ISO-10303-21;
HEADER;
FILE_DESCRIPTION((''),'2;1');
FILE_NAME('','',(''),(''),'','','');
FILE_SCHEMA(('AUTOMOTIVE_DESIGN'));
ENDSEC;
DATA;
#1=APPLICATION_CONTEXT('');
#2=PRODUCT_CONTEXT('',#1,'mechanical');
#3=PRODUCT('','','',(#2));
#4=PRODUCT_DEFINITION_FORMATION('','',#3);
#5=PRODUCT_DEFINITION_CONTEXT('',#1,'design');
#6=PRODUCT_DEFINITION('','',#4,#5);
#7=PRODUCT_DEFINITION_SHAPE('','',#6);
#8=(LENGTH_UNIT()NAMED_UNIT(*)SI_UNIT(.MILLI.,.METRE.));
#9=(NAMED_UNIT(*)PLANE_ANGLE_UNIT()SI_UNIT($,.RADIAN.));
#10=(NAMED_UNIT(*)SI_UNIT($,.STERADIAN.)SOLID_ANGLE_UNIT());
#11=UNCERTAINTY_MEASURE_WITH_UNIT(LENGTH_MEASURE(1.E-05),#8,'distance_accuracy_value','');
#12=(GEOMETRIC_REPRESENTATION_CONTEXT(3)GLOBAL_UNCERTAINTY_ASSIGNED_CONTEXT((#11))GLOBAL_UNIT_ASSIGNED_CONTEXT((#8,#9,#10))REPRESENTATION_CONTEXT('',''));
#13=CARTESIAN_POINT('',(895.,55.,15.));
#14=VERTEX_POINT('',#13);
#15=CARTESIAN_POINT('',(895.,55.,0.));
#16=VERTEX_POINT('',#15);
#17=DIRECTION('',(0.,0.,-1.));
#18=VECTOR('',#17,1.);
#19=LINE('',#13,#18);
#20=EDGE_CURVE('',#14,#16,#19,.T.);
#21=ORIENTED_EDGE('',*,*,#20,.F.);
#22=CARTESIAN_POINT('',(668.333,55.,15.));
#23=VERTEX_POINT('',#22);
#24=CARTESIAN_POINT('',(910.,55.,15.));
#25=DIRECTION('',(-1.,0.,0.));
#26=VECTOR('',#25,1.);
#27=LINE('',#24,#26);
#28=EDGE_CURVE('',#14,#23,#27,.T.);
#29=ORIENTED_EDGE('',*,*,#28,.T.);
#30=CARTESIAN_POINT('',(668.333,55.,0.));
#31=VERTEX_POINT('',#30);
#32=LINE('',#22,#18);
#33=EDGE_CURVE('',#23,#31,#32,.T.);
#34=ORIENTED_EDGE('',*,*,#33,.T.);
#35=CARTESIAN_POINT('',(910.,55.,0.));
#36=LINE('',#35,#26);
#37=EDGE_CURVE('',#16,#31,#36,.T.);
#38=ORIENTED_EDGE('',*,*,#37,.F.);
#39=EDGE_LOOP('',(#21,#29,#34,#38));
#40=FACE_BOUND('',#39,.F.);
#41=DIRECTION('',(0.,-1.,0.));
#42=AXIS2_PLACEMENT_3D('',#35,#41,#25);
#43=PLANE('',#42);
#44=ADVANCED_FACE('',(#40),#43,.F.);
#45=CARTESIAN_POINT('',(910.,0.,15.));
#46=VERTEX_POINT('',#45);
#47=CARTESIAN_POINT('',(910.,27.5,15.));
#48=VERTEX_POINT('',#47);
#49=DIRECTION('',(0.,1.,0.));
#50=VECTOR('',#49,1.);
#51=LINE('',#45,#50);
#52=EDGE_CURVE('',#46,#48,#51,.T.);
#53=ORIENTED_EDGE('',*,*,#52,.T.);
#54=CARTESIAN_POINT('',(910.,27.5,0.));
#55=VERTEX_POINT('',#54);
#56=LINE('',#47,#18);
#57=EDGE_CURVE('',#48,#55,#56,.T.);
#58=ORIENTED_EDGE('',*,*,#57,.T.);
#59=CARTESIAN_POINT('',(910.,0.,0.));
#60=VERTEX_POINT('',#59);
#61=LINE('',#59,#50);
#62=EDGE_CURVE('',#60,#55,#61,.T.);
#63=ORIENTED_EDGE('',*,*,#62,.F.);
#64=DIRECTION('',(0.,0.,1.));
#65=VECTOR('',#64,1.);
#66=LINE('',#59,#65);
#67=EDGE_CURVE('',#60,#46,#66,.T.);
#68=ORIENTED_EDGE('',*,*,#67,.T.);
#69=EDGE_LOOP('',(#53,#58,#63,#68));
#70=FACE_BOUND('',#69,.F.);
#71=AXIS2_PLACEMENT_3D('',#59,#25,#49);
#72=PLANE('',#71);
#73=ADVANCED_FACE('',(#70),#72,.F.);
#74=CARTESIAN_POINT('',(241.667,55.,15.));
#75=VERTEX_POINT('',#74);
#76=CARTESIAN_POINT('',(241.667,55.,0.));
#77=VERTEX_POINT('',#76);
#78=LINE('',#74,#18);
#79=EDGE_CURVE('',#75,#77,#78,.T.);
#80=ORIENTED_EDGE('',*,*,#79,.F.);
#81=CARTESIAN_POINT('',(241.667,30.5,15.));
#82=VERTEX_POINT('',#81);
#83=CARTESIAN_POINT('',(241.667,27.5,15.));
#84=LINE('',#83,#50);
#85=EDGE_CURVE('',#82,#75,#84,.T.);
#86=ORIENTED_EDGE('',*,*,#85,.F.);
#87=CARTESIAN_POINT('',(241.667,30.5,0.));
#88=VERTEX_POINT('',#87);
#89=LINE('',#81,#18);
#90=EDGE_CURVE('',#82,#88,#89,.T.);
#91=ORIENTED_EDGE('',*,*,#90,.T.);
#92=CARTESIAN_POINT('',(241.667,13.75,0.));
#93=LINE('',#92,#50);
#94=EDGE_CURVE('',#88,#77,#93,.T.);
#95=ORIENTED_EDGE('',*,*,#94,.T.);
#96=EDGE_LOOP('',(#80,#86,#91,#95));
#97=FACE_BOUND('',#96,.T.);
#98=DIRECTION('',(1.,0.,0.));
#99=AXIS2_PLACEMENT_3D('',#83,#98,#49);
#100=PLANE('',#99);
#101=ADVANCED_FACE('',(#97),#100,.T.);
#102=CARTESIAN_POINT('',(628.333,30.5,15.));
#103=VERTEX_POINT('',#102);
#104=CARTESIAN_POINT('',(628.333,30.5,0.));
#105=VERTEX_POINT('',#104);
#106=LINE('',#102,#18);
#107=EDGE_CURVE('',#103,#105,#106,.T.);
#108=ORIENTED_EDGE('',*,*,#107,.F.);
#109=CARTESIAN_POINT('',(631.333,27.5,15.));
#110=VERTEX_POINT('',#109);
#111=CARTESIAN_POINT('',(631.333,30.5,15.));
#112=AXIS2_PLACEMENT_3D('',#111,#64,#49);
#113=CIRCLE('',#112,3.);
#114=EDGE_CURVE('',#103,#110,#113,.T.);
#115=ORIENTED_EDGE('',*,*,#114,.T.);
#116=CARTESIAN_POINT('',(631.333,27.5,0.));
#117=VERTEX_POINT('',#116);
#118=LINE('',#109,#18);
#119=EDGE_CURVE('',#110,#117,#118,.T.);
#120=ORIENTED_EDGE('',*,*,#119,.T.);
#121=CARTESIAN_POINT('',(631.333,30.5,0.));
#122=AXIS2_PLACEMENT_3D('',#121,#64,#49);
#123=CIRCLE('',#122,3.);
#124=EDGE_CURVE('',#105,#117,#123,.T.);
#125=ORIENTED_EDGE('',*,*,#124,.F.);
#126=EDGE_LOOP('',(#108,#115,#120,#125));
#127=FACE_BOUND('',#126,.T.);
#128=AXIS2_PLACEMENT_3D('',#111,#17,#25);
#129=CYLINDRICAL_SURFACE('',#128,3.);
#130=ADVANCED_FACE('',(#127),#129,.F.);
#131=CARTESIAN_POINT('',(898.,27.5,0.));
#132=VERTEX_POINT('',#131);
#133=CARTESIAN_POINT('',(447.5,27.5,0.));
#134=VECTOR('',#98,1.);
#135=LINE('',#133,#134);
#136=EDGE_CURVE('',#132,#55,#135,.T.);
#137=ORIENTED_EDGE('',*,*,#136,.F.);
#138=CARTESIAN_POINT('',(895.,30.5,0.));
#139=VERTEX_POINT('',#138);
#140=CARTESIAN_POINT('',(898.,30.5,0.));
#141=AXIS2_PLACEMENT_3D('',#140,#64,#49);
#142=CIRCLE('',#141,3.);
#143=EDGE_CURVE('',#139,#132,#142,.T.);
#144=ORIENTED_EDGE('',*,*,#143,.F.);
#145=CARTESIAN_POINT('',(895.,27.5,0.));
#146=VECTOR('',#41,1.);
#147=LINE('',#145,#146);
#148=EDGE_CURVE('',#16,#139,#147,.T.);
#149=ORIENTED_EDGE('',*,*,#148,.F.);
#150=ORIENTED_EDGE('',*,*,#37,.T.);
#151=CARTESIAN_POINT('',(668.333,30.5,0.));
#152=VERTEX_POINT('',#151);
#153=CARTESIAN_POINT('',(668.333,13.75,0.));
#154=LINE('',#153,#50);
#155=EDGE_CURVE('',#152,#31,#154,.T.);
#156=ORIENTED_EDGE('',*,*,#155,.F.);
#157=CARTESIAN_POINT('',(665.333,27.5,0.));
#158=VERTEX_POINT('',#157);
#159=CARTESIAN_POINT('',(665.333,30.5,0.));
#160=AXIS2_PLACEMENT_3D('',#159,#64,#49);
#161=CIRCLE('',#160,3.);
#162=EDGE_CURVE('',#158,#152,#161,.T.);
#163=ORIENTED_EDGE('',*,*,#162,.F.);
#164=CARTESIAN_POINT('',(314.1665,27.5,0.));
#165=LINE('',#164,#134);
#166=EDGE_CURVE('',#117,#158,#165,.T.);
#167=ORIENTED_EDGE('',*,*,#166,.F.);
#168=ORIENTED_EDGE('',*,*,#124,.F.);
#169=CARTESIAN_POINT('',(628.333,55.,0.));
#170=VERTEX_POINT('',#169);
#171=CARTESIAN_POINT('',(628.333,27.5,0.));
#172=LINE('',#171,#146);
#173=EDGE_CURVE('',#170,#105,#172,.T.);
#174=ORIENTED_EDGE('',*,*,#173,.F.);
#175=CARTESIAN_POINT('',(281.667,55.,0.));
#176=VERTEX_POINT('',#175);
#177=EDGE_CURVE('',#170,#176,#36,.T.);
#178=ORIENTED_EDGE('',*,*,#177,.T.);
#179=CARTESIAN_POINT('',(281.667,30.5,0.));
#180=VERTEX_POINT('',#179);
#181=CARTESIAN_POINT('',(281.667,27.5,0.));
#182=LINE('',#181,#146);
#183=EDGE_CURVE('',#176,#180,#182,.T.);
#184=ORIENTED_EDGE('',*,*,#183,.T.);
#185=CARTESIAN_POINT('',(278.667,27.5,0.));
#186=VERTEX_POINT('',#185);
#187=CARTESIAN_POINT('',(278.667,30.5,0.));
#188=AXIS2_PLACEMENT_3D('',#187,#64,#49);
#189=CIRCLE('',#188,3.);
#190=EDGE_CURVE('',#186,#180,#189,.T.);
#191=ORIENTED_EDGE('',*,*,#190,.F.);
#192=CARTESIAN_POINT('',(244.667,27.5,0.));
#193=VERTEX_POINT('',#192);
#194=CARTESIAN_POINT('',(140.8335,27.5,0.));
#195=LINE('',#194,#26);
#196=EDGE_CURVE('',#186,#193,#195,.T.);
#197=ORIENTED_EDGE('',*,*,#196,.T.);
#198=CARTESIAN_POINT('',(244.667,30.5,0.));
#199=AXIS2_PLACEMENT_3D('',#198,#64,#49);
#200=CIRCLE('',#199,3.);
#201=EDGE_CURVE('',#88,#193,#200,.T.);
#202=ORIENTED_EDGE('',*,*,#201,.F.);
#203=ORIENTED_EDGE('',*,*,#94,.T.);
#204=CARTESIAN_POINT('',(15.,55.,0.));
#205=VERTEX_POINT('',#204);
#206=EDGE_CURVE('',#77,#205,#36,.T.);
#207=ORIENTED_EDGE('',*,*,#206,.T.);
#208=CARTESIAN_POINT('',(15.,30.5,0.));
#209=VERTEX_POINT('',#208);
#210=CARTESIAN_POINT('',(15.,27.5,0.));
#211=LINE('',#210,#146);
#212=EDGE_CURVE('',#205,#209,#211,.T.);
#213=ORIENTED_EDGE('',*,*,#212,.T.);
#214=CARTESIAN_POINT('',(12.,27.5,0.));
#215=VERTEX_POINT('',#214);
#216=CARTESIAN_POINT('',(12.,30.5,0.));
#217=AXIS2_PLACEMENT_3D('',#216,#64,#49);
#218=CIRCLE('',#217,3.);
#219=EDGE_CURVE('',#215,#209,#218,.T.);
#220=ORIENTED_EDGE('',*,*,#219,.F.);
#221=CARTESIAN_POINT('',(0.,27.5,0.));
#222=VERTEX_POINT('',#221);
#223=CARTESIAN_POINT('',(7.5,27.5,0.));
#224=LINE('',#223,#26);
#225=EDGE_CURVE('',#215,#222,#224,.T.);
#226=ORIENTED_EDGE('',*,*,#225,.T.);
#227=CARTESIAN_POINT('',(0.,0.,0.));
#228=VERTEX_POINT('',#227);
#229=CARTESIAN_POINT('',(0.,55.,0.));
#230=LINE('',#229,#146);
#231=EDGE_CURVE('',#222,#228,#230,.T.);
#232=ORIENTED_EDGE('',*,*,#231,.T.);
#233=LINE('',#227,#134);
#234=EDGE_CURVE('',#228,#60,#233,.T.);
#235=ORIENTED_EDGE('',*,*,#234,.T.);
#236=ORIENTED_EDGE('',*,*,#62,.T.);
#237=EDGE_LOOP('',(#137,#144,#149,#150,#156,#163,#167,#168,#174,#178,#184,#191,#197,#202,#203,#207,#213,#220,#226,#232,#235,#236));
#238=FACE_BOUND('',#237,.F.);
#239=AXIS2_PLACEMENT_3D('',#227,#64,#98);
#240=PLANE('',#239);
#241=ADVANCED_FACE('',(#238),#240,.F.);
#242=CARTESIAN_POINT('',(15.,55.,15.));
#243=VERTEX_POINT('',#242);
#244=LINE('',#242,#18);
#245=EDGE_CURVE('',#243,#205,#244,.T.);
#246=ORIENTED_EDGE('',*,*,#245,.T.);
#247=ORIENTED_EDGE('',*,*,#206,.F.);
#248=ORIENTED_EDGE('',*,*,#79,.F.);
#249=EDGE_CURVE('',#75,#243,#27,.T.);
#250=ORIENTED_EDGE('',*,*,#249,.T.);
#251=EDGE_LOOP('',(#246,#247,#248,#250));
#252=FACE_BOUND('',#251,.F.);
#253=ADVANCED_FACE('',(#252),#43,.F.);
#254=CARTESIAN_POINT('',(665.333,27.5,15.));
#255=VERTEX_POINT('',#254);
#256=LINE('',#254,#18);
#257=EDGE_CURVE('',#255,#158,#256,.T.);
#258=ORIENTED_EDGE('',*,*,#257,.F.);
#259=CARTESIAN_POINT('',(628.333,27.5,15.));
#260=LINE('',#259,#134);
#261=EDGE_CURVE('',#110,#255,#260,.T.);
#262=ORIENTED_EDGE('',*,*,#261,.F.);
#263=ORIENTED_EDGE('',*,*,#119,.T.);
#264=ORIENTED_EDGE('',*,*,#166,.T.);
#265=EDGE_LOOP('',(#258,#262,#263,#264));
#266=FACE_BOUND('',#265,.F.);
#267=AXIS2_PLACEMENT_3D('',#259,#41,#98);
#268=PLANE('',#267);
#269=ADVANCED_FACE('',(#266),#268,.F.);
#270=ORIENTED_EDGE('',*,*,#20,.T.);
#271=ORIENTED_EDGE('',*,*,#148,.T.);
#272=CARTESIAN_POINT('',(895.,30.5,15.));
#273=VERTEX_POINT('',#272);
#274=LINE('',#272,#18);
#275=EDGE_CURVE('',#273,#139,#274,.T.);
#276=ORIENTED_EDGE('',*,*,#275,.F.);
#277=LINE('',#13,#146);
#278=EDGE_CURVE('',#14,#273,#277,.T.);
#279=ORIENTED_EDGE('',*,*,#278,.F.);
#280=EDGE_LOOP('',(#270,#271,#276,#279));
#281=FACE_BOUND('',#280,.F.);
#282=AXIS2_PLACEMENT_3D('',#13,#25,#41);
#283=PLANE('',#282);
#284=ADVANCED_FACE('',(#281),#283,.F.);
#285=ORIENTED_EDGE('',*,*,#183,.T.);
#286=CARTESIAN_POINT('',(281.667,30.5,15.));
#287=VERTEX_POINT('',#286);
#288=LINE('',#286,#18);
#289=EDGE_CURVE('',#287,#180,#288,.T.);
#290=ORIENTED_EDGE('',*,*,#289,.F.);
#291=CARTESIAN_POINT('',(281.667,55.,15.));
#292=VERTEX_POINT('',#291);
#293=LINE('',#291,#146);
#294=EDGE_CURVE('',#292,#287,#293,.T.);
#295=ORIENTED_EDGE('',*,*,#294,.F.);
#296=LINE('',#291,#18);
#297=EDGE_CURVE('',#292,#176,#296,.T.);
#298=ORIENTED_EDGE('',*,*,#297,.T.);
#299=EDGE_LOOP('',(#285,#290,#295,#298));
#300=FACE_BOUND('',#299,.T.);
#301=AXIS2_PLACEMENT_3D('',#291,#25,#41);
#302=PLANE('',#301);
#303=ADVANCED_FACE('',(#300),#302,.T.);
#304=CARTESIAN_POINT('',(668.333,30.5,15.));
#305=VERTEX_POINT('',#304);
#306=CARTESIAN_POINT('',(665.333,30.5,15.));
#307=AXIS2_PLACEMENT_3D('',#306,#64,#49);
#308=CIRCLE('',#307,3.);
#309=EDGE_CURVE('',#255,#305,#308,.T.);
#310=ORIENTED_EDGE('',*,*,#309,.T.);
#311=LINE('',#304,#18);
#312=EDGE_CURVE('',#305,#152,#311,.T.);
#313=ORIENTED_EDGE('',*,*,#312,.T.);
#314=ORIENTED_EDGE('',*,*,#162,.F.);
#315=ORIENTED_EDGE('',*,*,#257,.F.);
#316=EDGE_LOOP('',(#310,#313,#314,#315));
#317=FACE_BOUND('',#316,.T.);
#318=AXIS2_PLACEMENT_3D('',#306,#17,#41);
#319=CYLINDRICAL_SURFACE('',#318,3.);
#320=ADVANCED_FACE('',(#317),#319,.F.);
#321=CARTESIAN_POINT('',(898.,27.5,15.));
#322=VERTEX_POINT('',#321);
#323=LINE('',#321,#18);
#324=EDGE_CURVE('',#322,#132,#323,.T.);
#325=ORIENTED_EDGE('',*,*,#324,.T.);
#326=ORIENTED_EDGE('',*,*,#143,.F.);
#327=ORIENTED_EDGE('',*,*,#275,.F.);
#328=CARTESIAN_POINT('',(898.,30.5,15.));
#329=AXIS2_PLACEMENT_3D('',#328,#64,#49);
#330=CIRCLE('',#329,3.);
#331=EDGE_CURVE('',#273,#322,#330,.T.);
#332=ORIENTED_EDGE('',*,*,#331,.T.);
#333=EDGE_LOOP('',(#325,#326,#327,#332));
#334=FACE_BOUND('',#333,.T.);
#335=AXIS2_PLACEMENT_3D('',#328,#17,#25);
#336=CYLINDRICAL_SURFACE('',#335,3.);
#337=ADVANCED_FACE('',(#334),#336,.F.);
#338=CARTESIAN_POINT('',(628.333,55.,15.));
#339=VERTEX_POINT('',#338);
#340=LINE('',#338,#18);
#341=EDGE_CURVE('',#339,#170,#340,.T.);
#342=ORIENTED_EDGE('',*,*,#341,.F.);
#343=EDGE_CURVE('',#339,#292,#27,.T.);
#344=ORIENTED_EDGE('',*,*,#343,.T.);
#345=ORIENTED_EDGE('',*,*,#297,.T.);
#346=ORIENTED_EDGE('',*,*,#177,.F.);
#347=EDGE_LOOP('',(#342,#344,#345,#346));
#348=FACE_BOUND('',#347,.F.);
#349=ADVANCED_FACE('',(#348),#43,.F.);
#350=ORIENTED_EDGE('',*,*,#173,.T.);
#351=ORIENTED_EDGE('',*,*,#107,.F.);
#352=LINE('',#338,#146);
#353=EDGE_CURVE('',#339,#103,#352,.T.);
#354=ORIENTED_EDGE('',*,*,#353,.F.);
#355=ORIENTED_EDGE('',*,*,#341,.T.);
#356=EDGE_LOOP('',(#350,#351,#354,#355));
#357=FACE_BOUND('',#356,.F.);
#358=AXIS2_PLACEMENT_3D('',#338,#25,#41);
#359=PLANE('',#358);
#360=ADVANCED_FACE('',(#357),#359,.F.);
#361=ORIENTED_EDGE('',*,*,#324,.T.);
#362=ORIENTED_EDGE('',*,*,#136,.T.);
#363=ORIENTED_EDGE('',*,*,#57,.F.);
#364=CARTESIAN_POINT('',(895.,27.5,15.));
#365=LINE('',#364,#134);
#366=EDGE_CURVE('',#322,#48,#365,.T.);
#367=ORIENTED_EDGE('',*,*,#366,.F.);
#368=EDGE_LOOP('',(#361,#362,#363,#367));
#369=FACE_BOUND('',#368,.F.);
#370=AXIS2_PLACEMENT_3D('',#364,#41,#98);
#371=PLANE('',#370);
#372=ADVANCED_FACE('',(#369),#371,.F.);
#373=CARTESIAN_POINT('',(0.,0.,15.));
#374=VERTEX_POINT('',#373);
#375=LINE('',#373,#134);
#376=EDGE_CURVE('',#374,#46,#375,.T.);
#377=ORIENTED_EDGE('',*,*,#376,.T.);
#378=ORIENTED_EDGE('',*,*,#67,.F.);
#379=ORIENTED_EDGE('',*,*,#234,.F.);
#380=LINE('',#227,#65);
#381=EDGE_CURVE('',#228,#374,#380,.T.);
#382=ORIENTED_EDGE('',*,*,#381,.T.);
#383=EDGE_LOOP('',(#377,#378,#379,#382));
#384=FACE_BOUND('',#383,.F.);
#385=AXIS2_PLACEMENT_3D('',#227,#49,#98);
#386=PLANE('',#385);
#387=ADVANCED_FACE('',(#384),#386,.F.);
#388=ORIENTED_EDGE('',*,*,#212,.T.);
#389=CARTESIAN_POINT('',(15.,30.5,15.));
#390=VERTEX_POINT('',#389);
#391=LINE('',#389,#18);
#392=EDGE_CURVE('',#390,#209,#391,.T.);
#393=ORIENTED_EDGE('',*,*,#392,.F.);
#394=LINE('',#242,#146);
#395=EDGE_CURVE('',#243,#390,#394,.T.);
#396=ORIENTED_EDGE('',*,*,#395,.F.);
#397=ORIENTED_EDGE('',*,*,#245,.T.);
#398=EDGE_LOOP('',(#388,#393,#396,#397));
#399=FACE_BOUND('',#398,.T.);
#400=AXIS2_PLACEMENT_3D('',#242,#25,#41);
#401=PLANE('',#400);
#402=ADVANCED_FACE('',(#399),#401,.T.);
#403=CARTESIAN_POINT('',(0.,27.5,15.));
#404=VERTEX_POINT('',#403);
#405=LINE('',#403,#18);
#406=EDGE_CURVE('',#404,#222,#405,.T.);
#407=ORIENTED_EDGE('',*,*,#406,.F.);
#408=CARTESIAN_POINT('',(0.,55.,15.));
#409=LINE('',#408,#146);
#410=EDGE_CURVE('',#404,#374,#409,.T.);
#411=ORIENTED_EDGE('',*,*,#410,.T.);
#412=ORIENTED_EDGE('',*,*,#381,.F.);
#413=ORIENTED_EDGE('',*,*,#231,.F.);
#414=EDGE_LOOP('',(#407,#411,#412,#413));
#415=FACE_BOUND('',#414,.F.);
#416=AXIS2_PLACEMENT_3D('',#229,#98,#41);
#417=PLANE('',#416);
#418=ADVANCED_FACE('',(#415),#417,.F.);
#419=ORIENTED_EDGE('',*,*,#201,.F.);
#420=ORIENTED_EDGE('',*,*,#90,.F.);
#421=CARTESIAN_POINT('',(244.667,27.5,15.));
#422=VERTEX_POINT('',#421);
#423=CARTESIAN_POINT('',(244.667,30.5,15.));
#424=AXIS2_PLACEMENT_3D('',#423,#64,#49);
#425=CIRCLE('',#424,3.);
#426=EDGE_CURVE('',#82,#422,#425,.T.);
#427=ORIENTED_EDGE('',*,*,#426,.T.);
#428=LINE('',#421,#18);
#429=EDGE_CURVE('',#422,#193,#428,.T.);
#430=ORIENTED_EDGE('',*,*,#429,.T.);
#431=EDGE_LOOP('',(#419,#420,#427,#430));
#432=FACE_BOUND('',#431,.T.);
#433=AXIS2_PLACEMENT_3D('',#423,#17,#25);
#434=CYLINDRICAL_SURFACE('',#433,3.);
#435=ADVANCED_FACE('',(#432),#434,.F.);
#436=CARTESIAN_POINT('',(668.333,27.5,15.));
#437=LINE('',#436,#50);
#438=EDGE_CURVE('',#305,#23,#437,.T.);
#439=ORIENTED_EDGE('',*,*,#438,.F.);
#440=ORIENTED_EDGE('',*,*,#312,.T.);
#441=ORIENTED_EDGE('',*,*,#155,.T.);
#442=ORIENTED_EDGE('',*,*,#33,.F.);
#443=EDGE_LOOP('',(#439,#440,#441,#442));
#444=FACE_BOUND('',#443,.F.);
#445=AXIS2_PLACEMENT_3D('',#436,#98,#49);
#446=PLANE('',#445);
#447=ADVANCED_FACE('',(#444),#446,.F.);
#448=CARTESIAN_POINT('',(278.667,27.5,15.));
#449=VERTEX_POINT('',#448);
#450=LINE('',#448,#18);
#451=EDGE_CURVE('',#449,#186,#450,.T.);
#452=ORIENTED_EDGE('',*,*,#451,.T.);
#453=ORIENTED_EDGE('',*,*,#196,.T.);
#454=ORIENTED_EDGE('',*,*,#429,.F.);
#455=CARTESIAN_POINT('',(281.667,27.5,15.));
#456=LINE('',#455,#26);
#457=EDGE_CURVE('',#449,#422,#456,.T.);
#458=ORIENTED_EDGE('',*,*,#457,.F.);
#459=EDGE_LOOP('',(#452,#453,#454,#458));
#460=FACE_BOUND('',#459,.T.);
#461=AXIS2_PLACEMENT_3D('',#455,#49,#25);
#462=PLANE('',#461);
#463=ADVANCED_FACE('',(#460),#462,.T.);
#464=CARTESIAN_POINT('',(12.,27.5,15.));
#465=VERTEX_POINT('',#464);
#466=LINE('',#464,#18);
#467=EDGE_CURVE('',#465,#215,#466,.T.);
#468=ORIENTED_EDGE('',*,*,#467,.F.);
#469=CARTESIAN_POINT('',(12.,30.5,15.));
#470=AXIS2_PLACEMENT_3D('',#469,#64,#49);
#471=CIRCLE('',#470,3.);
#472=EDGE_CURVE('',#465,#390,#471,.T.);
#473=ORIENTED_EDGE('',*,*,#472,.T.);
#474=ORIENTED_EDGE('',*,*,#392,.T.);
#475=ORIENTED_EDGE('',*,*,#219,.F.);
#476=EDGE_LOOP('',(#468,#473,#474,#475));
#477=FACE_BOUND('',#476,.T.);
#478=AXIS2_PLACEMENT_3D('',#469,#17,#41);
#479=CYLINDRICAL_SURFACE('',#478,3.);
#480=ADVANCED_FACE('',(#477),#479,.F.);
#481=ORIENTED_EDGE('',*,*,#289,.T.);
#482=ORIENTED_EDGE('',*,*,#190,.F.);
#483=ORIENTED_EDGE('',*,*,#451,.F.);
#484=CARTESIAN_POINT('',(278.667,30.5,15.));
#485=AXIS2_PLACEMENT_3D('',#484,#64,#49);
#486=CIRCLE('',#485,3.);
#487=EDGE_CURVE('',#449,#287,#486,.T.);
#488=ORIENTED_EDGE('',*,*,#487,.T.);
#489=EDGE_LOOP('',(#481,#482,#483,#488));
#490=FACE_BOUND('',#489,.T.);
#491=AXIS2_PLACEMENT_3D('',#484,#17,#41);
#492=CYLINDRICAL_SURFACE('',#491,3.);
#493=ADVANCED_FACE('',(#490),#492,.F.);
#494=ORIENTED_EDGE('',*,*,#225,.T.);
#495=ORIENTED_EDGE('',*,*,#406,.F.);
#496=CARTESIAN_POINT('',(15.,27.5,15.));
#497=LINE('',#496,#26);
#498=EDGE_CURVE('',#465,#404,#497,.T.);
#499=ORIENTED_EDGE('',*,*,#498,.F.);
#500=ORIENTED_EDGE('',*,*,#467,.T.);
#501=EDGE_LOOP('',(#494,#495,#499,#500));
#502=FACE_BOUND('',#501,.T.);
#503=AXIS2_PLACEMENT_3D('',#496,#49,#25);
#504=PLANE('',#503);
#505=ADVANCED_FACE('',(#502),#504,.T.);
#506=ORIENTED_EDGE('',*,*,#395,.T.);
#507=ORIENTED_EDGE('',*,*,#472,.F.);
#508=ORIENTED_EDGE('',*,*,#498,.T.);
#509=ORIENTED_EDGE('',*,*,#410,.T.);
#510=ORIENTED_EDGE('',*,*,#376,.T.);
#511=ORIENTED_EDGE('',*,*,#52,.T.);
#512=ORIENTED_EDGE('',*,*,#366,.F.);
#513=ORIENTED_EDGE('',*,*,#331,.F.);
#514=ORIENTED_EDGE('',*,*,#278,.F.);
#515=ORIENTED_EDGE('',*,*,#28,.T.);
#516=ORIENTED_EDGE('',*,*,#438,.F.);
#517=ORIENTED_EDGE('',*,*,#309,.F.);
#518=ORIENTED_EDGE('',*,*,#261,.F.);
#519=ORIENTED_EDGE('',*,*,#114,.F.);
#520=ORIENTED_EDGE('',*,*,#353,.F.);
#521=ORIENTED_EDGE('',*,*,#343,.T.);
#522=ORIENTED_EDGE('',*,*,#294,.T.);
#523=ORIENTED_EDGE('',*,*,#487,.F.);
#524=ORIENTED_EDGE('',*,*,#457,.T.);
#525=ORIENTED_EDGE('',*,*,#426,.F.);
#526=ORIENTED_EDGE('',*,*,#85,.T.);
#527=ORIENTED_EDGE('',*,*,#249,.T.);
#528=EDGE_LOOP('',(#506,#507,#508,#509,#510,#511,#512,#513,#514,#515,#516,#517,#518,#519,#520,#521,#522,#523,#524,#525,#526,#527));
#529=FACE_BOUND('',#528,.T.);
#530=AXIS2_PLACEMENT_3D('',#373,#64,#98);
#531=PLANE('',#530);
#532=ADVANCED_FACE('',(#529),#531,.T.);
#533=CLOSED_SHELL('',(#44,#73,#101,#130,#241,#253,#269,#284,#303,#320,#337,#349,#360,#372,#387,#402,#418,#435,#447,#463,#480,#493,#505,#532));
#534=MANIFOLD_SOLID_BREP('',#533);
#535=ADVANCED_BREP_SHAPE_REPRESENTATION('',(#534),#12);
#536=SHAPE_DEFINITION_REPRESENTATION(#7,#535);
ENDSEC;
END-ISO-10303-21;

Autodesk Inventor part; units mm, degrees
sketch "Sketch1" plane through (0, 0, 0) normal (0, 0, 1) x (1, 0, 0)
  line L0 (0, 0) -> (910, 0)
  line L1 (910, 0) -> (910, 55)
  line L2 (910, 55) -> (0, 55)
  line L3 (0, 55) -> (0, 0)
  dimension "d0" = 910
  dimension "d1" = 55
extrude "Extrusion1" add sketch "Sketch1" along normal blind 15
ref_plane "Work Plane1" through (455, 0, 0) normal (-1, 0, 0) x (0, 0, 1)
sketch "Sketch3" plane through (0, 0, 15) normal (0, 0, 1) x (1, 0, 0)
  line L0 (910, 55) -> (0, 55) projected
  line L1 (0, 55) -> (15, 55)
  line L2 (15, 55) -> (15, 27.5)
  line L3 (15, 27.5) -> (0, 27.5)
  line L4 (0, 27.5) -> (0, 55)
  line L5 (241.667, 55) -> (281.667, 55)
  line L6 (281.667, 55) -> (281.667, 27.5)
  line L7 (281.667, 27.5) -> (241.667, 27.5)
  line L8 (241.667, 27.5) -> (241.667, 55)
  line L9 (455, 55) -> (455, 32.488)
  line L10 (910, 55) -> (895, 55)
  line L11 (895, 55) -> (895, 27.5)
  line L12 (895, 27.5) -> (910, 27.5)
  line L13 (910, 27.5) -> (910, 55)
  line L14 (668.333, 55) -> (628.333, 55)
  line L15 (628.333, 55) -> (628.333, 27.5)
  line L16 (628.333, 27.5) -> (668.333, 27.5)
  line L17 (668.333, 27.5) -> (668.333, 55)
  point P0 (0, 0)
  point P1 (910, 0)
  point P2 (668.333, 55)
  point P3 (628.333, 55)
  dimension "d12" = 15
  dimension "d13" = 27.5
  dimension "d14" = 226.667
  dimension "d15" = 40
extrude "Extrusion2" cut sketch "Sketch3" against normal through all
ref_plane "Work Plane2" through (455, 0, 0) normal (-1, 0, 0) x (0, 0, 1)
ref_plane "Work Plane3" through (0, 0, 7.5) normal (0, 0, 1) x (1, 0, 0)
fillet "Fillet1" radius 3 6 edges at (895, 27.5, 7.5) (668.333, 27.5, 7.5) (628.333, 27.5, 7.5) (281.667, 27.5, 7.5) (241.667, 27.5, 7.5) (15, 27.5, 7.5)
properties part number "Length Board"
